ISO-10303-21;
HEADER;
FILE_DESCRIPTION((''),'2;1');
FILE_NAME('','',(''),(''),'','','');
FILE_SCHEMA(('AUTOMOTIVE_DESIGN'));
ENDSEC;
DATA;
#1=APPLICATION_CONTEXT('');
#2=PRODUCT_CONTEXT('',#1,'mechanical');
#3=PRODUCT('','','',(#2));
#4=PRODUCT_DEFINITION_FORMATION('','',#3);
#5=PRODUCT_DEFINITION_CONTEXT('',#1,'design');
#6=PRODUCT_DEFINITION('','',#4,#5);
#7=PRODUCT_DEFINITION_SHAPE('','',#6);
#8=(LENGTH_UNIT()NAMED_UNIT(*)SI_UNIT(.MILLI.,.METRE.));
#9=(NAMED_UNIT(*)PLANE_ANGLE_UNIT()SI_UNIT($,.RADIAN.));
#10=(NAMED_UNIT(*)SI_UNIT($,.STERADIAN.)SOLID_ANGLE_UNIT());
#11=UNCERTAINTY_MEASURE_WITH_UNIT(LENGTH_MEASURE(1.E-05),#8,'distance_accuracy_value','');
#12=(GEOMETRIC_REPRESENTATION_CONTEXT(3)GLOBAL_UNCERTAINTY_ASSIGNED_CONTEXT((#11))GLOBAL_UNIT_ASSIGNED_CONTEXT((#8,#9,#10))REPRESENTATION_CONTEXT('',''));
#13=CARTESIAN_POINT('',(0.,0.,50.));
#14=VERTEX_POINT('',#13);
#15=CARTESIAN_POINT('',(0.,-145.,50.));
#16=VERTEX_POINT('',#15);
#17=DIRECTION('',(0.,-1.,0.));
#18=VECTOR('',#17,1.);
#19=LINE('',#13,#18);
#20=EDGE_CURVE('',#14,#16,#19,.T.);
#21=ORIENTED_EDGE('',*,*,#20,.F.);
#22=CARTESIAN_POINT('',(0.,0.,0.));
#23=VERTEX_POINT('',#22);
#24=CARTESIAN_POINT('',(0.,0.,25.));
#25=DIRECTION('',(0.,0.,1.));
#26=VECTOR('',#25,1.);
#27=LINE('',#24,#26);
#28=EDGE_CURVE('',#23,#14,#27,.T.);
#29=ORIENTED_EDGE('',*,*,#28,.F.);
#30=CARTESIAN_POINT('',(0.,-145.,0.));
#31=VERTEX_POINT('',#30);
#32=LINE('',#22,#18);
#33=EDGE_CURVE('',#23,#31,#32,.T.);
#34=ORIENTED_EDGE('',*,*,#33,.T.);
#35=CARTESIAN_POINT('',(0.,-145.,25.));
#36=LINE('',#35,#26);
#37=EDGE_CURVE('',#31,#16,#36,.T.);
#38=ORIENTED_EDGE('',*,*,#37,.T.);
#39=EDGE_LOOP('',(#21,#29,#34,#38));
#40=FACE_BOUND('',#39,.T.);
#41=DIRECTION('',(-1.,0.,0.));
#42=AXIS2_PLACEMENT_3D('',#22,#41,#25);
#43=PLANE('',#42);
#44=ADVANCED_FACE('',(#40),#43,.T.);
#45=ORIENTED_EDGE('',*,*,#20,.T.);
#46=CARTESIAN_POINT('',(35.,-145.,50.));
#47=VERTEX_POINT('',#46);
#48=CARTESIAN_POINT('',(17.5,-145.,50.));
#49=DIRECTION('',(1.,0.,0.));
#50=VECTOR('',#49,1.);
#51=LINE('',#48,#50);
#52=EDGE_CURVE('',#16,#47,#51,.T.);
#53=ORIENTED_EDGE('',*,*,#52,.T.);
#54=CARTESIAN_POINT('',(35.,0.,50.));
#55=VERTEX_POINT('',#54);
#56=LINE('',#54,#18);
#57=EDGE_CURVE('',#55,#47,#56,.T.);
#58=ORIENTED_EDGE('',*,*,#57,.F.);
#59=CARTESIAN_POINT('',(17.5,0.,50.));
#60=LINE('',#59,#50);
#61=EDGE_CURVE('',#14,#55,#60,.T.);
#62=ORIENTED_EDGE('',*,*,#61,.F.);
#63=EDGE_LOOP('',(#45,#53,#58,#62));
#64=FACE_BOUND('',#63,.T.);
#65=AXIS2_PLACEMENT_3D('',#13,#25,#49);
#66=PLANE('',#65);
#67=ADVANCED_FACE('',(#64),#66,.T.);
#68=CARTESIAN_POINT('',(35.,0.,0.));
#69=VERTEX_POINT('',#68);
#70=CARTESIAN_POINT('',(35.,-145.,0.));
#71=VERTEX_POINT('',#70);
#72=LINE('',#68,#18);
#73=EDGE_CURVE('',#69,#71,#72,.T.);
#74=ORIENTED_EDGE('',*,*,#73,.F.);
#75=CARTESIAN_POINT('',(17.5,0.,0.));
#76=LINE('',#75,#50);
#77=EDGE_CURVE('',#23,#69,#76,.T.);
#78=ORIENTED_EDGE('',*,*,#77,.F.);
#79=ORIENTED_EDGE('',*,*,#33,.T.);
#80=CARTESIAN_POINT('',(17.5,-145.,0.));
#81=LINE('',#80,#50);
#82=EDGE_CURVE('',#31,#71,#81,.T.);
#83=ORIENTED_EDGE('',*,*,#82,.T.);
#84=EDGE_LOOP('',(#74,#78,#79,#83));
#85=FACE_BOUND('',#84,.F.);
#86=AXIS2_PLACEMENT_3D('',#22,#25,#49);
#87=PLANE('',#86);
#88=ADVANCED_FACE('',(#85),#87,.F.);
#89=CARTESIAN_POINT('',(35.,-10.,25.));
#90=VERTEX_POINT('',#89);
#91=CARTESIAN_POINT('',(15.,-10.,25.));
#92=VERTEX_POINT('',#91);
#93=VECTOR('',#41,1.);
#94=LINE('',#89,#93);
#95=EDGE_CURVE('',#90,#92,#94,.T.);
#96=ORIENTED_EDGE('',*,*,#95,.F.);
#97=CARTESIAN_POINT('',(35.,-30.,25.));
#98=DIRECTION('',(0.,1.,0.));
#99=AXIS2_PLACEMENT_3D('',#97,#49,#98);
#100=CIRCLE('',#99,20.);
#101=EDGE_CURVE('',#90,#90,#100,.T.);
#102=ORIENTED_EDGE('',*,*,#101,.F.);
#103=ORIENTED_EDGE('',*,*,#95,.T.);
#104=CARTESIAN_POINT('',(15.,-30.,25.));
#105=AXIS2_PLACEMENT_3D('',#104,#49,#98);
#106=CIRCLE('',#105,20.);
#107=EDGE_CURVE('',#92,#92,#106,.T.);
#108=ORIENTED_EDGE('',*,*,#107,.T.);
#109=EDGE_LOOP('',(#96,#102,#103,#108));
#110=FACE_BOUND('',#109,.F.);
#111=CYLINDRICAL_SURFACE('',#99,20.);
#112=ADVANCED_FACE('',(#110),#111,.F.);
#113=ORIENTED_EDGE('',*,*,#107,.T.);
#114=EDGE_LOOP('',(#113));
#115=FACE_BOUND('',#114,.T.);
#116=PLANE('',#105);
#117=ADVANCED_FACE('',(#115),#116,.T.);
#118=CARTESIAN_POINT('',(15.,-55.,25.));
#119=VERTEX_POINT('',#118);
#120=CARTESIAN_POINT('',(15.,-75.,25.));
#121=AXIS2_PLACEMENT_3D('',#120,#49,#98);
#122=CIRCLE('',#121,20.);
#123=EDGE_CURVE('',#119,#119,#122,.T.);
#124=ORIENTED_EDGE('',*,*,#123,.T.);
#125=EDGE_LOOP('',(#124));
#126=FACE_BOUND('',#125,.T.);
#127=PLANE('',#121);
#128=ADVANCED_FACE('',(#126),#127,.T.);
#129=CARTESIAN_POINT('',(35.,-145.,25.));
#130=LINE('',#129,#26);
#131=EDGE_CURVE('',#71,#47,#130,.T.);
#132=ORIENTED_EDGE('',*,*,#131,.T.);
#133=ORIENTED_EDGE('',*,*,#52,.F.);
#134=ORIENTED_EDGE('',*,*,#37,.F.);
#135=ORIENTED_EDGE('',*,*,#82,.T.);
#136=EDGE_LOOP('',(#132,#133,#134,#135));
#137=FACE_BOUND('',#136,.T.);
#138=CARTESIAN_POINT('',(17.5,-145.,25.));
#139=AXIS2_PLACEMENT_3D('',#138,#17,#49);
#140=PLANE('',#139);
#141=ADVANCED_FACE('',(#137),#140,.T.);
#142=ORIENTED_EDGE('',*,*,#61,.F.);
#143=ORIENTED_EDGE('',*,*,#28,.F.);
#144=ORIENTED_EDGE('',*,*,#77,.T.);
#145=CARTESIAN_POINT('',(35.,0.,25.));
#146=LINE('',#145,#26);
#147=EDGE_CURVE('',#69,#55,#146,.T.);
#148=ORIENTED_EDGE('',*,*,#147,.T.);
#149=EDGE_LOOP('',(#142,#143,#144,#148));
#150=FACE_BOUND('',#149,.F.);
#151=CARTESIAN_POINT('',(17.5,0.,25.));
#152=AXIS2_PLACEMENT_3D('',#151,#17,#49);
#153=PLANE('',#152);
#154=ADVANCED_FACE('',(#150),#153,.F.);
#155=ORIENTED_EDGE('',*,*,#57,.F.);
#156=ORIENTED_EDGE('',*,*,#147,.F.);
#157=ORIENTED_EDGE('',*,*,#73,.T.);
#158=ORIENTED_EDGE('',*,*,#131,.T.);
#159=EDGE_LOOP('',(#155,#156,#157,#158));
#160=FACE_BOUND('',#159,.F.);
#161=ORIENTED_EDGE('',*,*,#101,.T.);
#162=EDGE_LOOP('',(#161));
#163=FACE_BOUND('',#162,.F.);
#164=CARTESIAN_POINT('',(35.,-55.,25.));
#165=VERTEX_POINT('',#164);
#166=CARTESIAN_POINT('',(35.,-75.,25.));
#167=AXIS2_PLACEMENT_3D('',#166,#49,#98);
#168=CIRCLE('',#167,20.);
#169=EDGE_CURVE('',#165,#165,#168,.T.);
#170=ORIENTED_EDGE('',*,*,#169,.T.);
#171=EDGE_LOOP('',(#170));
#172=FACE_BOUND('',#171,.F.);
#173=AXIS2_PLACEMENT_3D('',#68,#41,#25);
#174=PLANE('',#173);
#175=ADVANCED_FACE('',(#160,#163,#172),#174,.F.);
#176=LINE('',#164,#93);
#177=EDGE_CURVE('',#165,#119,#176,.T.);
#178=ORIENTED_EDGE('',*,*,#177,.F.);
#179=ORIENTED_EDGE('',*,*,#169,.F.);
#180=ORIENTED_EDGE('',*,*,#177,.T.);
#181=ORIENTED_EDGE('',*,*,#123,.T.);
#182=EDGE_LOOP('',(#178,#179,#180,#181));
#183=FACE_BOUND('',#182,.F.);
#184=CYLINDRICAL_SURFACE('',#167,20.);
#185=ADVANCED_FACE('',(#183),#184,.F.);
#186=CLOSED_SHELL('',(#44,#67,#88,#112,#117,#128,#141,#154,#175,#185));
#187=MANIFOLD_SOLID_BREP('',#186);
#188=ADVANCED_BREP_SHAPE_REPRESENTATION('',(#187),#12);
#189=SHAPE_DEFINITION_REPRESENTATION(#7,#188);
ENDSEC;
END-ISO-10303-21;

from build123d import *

# Parameters (mm, degrees)
F0_W     = 35
F0_H     = 50
F1_DEPTH = 145
F2_R     = 20
F3_DEPTH = 20


with BuildPart() as f1:
    # F0 (on Front) → F1 (new body)
    with BuildSketch(Plane.XZ):
        with Locations((17.5, 25)):
            Rectangle(F0_W, F0_H)
    extrude(amount=F1_DEPTH)

    # F2 (on face) → F3 (cut)
    with BuildSketch(Plane.YZ.offset(35)):
        with Locations((-75, 25)):
            Circle(F2_R)
        with Locations((-30, 25)):
            Circle(F2_R)
    extrude(amount=-F3_DEPTH, mode=Mode.SUBTRACT)


solid = f1.part
